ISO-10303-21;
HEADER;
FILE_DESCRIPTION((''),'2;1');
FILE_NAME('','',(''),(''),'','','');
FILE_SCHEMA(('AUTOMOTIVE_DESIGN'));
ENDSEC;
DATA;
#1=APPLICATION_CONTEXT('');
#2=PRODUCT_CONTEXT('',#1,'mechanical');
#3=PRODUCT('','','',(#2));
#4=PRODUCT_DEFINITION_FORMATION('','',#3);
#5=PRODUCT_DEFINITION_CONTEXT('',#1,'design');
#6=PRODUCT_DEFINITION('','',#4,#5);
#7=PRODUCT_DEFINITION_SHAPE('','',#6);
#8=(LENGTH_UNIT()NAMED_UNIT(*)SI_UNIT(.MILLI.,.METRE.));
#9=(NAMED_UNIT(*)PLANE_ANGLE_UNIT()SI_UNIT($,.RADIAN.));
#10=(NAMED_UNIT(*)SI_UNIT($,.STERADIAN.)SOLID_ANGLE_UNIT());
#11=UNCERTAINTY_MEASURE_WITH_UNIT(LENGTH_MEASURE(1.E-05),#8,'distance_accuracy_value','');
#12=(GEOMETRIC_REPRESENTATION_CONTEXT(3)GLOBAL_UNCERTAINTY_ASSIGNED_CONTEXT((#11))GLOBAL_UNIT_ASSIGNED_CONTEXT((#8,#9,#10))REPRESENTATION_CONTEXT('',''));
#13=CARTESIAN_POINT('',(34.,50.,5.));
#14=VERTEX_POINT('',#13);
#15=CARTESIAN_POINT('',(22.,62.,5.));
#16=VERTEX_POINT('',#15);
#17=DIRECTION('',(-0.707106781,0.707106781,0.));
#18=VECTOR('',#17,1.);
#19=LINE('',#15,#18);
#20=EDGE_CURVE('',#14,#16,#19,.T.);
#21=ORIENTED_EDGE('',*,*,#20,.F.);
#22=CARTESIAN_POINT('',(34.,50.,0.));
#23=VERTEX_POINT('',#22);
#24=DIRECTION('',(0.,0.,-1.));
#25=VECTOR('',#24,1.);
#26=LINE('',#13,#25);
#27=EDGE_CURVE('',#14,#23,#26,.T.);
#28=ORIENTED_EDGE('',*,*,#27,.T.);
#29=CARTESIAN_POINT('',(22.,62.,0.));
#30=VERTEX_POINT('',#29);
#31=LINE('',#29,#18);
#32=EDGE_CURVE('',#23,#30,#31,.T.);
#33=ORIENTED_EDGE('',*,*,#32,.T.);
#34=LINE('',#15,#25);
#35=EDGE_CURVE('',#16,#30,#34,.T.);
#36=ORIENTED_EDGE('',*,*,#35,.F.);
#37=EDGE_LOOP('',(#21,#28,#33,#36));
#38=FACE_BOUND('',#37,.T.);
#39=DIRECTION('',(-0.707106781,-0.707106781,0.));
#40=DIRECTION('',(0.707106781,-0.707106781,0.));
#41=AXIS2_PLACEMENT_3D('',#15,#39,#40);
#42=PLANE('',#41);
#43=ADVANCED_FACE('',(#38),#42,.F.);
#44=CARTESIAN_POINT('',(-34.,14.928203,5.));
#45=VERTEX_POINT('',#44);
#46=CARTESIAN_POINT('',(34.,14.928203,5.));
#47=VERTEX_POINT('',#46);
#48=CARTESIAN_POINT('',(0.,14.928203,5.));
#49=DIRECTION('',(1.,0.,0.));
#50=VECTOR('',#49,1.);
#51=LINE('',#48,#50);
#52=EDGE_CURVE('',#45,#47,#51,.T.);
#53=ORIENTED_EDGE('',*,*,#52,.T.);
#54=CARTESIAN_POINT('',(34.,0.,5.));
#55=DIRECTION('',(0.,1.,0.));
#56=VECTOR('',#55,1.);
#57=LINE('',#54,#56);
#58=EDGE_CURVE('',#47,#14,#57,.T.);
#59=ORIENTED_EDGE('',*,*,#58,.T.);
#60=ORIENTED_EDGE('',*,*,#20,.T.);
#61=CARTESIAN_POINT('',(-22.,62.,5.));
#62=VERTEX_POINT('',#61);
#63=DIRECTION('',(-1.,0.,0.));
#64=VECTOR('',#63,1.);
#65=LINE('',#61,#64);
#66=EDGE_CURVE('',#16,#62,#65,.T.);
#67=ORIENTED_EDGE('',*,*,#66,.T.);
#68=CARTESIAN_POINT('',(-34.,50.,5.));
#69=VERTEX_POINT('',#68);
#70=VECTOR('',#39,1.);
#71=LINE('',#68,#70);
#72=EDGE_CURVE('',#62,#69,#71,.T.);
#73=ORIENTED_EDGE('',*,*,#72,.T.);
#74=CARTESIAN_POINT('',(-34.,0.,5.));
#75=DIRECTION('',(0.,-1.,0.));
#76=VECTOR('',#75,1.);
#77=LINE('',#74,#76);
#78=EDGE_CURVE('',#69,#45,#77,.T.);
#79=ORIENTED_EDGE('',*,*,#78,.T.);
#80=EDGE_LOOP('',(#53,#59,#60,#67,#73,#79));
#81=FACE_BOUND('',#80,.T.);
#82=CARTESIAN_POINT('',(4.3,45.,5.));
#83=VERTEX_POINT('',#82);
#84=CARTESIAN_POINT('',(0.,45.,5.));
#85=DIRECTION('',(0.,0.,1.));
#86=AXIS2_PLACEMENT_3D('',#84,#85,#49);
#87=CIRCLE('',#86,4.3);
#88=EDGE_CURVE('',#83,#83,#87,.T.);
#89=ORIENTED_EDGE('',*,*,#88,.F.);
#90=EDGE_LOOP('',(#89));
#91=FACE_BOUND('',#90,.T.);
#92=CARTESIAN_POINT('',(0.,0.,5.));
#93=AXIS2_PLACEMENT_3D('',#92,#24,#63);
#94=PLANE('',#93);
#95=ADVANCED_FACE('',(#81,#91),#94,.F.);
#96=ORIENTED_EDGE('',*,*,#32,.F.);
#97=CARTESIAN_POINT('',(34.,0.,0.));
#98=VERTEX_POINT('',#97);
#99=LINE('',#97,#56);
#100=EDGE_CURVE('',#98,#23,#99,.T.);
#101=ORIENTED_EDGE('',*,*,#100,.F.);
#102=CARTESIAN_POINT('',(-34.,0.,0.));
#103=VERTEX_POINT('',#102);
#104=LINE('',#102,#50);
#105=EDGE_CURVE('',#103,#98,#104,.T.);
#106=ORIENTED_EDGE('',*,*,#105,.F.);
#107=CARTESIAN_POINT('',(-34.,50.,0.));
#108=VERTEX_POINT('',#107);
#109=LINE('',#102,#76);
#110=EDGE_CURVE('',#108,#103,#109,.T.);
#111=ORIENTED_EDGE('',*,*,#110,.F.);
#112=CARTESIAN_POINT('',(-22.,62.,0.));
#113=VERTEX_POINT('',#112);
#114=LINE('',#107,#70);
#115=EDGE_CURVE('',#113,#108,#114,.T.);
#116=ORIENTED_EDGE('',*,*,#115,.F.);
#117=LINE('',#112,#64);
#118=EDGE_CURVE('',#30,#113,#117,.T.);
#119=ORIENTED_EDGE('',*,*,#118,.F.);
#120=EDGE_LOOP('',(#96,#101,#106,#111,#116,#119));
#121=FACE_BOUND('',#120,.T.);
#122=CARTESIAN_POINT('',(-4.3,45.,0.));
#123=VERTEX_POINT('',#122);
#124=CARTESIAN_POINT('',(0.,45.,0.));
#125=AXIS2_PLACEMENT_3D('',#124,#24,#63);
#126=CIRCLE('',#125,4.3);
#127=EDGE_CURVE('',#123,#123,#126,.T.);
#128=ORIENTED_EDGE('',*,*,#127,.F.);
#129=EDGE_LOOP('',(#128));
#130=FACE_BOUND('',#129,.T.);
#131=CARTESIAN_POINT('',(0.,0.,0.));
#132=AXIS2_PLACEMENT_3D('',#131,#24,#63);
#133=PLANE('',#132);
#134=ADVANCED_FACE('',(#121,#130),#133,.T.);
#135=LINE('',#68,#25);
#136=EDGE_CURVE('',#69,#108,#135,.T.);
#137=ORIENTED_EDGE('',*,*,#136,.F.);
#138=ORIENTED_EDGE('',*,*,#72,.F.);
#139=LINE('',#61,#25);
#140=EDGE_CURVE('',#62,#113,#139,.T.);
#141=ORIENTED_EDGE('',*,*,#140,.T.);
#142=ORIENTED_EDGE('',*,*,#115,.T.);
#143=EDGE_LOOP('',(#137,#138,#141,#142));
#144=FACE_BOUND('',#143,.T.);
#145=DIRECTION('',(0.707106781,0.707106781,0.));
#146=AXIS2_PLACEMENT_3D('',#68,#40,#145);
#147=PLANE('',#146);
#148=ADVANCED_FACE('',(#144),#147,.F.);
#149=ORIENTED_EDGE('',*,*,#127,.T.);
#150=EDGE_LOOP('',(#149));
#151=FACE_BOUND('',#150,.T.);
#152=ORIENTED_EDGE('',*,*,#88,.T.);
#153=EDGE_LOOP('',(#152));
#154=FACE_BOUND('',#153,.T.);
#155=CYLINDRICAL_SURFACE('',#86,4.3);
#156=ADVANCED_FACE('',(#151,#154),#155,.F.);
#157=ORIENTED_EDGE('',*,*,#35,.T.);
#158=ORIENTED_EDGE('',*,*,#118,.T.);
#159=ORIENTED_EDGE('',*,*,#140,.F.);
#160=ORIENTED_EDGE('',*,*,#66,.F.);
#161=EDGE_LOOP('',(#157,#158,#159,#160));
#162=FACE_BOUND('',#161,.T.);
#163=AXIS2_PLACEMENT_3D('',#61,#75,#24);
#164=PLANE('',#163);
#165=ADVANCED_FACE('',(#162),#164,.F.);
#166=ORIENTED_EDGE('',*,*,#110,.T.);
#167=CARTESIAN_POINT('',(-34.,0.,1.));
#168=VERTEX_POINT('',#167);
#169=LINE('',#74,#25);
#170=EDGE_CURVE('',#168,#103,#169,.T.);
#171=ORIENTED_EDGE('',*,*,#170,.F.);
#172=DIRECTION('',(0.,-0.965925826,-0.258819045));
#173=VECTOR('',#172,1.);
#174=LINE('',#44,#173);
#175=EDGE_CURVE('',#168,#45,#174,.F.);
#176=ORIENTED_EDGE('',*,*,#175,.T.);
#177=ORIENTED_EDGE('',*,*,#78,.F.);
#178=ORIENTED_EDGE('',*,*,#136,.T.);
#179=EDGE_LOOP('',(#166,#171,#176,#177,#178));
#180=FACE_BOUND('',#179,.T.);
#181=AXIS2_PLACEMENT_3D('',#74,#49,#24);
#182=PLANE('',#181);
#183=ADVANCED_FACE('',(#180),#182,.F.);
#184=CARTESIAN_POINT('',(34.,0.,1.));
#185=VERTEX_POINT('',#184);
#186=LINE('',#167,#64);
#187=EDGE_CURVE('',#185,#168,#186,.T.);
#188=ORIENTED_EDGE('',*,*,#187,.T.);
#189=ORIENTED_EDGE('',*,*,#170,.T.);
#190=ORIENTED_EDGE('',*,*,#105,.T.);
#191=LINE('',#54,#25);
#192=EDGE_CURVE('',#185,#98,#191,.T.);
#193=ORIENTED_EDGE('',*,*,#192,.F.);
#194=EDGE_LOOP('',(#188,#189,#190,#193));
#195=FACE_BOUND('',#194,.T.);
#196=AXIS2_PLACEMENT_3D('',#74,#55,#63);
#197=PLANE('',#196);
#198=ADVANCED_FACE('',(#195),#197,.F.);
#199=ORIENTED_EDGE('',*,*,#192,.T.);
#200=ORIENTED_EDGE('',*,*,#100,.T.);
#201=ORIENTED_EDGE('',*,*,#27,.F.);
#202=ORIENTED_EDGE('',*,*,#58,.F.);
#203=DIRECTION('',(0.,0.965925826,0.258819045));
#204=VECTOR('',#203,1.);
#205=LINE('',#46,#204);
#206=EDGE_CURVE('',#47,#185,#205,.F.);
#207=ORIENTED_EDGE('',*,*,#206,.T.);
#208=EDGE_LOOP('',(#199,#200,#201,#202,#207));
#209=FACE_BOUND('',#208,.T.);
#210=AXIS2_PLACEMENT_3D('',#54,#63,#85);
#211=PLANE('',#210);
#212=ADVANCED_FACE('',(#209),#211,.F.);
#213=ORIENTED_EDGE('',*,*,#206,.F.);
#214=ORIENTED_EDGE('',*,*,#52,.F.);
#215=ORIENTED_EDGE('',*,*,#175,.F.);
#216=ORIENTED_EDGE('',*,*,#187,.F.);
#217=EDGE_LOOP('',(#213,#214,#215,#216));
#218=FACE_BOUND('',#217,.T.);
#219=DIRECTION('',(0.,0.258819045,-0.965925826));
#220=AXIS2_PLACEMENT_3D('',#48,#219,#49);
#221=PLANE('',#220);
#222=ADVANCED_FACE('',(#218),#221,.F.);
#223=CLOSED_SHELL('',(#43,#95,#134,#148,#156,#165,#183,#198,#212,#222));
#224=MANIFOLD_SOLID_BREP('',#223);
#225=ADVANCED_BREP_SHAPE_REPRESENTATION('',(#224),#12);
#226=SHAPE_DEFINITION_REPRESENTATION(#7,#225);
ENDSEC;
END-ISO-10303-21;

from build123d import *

# Parameters (mm, degrees)
AUFSATZ_LINEAR_AUSTRAGEN1_DEPTH      = 5
F_8_6_8_6_DURCHMESSER_BOHRUNG1_D     = 8.6
F_8_6_8_6_DURCHMESSER_BOHRUNG1_DEPTH = 80
F_8_6_8_6_DURCHMESSER_BOHRUNG1_TIP   = 2.583700662
FASE1_SIZE                           = 4
FASE1_SIZE2                          = 14.92820323


with BuildPart() as part:
    # Skizze1 → Aufsatz-Linear austragen1 (new body)
    with BuildSketch(Plane.XY):
        Polygon((-34, 50), (-22, 62), (22, 62), (34, 50), (34, 0), (-34, 0), align=None)
    extrude(amount=AUFSATZ_LINEAR_AUSTRAGEN1_DEPTH)

    # Ø8.6 (8.6) Durchmesser Bohrung1
    with Locations(Plane.XY.offset(5)):
        with Locations((0, 45)):
            Hole(F_8_6_8_6_DURCHMESSER_BOHRUNG1_D / 2, depth=F_8_6_8_6_DURCHMESSER_BOHRUNG1_DEPTH)
            with Locations((0, 0, -(F_8_6_8_6_DURCHMESSER_BOHRUNG1_DEPTH + F_8_6_8_6_DURCHMESSER_BOHRUNG1_TIP / 2))):  # 118° drill point
                Cone(0, F_8_6_8_6_DURCHMESSER_BOHRUNG1_D / 2, F_8_6_8_6_DURCHMESSER_BOHRUNG1_TIP, mode=Mode.SUBTRACT)

    # Fase1
    fase1_edges = [part.edges().sort_by_distance(p)[0] for p in [
        (0, 0, 5),
    ]]
    fase1_side = [part.faces().sort_by_distance(p)[0] for p in [
        (0, 0, 2.5),
    ]]
    chamfer(fase1_edges, length=FASE1_SIZE, length2=FASE1_SIZE2, reference=fase1_side[0])


solid = part.part
